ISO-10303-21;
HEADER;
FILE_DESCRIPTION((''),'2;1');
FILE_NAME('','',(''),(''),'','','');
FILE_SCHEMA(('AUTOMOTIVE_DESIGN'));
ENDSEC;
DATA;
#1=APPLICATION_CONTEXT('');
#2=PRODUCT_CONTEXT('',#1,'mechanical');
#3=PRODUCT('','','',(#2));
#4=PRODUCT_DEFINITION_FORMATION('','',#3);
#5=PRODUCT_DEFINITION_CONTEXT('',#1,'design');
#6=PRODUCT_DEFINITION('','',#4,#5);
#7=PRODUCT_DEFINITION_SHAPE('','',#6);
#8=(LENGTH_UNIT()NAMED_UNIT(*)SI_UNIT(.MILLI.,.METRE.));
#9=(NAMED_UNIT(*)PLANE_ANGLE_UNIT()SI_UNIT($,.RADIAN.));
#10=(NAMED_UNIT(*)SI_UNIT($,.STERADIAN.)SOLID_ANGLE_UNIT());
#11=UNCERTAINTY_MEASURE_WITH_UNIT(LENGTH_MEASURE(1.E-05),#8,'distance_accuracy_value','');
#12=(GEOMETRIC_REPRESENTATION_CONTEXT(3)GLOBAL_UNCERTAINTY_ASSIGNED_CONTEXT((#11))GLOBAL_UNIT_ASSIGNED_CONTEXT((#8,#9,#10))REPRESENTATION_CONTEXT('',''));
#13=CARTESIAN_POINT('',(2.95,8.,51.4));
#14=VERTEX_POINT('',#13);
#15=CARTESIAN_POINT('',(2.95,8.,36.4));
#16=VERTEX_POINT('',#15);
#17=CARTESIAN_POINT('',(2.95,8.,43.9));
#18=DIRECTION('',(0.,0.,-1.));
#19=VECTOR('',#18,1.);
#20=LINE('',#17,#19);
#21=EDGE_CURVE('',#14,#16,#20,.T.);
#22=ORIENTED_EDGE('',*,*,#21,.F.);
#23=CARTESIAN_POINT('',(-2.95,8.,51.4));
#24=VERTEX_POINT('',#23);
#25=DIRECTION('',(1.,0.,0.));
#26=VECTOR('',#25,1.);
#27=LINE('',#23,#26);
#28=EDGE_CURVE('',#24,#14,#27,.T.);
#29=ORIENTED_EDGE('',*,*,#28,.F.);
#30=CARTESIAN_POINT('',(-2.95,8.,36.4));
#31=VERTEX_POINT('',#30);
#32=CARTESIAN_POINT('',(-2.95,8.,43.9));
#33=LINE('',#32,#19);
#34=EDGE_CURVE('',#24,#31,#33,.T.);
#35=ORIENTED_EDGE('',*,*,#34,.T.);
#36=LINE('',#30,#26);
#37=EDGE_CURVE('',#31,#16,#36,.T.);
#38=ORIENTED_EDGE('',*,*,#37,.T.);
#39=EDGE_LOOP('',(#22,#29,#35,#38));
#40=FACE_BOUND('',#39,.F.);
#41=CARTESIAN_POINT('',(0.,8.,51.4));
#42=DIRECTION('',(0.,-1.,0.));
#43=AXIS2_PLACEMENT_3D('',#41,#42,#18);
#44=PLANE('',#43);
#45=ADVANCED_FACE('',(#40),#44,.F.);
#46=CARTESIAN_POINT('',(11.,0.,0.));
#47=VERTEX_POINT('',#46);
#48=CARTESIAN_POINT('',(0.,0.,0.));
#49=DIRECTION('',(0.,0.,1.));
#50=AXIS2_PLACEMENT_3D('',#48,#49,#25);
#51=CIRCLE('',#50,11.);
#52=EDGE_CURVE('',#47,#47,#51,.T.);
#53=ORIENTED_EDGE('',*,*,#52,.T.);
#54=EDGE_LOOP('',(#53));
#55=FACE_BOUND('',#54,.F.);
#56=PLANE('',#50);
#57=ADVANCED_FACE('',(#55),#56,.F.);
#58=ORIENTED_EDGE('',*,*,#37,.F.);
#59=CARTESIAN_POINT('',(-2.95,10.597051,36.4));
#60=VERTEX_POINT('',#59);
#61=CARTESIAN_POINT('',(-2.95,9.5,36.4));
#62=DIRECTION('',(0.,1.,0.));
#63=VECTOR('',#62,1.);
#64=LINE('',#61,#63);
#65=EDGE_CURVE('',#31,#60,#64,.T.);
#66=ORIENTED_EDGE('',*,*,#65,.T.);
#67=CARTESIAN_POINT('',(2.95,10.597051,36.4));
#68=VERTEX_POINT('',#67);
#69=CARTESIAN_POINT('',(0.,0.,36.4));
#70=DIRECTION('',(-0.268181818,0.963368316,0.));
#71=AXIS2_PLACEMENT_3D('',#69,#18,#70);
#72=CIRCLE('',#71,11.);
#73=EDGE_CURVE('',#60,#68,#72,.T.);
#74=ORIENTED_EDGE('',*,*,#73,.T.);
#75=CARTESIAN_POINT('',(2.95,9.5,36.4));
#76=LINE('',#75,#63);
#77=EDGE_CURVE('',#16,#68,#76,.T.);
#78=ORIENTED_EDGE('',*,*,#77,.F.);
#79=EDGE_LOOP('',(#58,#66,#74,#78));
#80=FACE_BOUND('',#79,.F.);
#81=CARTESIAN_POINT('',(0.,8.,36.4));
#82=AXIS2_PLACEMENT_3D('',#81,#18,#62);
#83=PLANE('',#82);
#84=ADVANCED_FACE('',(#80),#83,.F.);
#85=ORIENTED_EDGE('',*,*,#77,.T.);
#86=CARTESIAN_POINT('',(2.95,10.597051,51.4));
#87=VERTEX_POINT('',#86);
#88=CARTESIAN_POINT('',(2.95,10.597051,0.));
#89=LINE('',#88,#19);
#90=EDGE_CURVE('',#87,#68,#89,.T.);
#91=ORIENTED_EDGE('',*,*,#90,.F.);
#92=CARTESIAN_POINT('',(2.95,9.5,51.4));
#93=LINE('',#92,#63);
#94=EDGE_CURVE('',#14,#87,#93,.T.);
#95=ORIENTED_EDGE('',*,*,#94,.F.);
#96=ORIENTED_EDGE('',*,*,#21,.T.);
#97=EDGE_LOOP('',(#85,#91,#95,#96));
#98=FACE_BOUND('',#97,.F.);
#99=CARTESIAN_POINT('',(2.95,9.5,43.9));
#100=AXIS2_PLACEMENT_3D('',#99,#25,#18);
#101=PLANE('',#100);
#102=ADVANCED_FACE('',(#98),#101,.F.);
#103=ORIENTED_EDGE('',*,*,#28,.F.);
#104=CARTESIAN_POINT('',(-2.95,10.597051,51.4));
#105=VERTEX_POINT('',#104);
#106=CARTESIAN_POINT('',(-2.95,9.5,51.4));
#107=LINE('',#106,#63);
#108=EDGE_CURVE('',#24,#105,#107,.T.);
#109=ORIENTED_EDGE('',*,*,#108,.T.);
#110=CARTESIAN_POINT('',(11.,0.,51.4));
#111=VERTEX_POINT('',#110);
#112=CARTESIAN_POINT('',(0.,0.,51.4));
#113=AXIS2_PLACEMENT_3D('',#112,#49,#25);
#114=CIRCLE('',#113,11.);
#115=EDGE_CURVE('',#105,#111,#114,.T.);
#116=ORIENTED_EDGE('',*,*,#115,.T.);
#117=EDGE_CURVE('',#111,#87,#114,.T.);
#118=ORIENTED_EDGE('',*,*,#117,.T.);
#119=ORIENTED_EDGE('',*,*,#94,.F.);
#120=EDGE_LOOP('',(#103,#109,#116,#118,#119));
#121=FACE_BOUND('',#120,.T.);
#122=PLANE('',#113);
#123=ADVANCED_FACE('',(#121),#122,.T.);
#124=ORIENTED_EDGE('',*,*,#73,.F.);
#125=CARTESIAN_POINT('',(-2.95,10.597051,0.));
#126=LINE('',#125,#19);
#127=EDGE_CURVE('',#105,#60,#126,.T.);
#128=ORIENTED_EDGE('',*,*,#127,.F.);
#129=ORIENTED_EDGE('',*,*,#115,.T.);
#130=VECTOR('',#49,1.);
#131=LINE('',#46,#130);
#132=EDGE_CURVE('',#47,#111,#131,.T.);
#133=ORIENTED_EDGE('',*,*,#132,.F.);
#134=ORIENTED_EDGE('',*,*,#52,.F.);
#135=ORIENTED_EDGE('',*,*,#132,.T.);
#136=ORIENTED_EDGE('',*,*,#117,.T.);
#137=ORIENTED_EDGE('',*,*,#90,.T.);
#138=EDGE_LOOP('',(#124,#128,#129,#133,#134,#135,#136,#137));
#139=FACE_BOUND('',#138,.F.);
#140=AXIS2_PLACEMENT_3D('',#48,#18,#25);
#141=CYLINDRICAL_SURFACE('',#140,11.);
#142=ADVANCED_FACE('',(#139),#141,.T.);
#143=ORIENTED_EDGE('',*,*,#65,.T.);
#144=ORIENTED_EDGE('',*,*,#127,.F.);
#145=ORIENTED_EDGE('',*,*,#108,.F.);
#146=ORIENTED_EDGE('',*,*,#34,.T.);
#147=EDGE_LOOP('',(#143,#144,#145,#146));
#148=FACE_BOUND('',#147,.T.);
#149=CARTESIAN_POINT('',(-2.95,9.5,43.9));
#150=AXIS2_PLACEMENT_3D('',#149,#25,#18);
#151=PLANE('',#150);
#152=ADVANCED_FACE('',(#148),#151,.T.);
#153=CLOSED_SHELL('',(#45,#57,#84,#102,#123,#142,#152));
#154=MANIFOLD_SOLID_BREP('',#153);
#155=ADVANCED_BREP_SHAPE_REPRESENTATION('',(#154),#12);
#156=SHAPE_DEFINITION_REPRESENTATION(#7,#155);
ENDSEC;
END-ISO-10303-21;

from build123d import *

# Parameters (mm, degrees)
SKETCH_1_R          = 11
EXTRUDE_1_DEPTH     = 51.4
SKETCH_2_W          = 15
SKETCH_2_H          = 3
CUT_EXTRUDE_1_DEPTH = 2.95


with BuildPart() as part:
    # 草图1 → 凸台-拉伸1 (new body)
    with BuildSketch(Plane.XY):
        Circle(SKETCH_1_R)
    extrude(amount=EXTRUDE_1_DEPTH)

    # 草图2 → 切除-拉伸1 (cut, symmetric)
    with BuildSketch(Plane(origin=(0, 0, 0), x_dir=(0, 0, -1), z_dir=(1, 0, 0))):
        with Locations((-43.9, 9.5)):
            Rectangle(SKETCH_2_W, SKETCH_2_H)
    extrude(amount=CUT_EXTRUDE_1_DEPTH, both=True, mode=Mode.SUBTRACT)


solid = part.part
